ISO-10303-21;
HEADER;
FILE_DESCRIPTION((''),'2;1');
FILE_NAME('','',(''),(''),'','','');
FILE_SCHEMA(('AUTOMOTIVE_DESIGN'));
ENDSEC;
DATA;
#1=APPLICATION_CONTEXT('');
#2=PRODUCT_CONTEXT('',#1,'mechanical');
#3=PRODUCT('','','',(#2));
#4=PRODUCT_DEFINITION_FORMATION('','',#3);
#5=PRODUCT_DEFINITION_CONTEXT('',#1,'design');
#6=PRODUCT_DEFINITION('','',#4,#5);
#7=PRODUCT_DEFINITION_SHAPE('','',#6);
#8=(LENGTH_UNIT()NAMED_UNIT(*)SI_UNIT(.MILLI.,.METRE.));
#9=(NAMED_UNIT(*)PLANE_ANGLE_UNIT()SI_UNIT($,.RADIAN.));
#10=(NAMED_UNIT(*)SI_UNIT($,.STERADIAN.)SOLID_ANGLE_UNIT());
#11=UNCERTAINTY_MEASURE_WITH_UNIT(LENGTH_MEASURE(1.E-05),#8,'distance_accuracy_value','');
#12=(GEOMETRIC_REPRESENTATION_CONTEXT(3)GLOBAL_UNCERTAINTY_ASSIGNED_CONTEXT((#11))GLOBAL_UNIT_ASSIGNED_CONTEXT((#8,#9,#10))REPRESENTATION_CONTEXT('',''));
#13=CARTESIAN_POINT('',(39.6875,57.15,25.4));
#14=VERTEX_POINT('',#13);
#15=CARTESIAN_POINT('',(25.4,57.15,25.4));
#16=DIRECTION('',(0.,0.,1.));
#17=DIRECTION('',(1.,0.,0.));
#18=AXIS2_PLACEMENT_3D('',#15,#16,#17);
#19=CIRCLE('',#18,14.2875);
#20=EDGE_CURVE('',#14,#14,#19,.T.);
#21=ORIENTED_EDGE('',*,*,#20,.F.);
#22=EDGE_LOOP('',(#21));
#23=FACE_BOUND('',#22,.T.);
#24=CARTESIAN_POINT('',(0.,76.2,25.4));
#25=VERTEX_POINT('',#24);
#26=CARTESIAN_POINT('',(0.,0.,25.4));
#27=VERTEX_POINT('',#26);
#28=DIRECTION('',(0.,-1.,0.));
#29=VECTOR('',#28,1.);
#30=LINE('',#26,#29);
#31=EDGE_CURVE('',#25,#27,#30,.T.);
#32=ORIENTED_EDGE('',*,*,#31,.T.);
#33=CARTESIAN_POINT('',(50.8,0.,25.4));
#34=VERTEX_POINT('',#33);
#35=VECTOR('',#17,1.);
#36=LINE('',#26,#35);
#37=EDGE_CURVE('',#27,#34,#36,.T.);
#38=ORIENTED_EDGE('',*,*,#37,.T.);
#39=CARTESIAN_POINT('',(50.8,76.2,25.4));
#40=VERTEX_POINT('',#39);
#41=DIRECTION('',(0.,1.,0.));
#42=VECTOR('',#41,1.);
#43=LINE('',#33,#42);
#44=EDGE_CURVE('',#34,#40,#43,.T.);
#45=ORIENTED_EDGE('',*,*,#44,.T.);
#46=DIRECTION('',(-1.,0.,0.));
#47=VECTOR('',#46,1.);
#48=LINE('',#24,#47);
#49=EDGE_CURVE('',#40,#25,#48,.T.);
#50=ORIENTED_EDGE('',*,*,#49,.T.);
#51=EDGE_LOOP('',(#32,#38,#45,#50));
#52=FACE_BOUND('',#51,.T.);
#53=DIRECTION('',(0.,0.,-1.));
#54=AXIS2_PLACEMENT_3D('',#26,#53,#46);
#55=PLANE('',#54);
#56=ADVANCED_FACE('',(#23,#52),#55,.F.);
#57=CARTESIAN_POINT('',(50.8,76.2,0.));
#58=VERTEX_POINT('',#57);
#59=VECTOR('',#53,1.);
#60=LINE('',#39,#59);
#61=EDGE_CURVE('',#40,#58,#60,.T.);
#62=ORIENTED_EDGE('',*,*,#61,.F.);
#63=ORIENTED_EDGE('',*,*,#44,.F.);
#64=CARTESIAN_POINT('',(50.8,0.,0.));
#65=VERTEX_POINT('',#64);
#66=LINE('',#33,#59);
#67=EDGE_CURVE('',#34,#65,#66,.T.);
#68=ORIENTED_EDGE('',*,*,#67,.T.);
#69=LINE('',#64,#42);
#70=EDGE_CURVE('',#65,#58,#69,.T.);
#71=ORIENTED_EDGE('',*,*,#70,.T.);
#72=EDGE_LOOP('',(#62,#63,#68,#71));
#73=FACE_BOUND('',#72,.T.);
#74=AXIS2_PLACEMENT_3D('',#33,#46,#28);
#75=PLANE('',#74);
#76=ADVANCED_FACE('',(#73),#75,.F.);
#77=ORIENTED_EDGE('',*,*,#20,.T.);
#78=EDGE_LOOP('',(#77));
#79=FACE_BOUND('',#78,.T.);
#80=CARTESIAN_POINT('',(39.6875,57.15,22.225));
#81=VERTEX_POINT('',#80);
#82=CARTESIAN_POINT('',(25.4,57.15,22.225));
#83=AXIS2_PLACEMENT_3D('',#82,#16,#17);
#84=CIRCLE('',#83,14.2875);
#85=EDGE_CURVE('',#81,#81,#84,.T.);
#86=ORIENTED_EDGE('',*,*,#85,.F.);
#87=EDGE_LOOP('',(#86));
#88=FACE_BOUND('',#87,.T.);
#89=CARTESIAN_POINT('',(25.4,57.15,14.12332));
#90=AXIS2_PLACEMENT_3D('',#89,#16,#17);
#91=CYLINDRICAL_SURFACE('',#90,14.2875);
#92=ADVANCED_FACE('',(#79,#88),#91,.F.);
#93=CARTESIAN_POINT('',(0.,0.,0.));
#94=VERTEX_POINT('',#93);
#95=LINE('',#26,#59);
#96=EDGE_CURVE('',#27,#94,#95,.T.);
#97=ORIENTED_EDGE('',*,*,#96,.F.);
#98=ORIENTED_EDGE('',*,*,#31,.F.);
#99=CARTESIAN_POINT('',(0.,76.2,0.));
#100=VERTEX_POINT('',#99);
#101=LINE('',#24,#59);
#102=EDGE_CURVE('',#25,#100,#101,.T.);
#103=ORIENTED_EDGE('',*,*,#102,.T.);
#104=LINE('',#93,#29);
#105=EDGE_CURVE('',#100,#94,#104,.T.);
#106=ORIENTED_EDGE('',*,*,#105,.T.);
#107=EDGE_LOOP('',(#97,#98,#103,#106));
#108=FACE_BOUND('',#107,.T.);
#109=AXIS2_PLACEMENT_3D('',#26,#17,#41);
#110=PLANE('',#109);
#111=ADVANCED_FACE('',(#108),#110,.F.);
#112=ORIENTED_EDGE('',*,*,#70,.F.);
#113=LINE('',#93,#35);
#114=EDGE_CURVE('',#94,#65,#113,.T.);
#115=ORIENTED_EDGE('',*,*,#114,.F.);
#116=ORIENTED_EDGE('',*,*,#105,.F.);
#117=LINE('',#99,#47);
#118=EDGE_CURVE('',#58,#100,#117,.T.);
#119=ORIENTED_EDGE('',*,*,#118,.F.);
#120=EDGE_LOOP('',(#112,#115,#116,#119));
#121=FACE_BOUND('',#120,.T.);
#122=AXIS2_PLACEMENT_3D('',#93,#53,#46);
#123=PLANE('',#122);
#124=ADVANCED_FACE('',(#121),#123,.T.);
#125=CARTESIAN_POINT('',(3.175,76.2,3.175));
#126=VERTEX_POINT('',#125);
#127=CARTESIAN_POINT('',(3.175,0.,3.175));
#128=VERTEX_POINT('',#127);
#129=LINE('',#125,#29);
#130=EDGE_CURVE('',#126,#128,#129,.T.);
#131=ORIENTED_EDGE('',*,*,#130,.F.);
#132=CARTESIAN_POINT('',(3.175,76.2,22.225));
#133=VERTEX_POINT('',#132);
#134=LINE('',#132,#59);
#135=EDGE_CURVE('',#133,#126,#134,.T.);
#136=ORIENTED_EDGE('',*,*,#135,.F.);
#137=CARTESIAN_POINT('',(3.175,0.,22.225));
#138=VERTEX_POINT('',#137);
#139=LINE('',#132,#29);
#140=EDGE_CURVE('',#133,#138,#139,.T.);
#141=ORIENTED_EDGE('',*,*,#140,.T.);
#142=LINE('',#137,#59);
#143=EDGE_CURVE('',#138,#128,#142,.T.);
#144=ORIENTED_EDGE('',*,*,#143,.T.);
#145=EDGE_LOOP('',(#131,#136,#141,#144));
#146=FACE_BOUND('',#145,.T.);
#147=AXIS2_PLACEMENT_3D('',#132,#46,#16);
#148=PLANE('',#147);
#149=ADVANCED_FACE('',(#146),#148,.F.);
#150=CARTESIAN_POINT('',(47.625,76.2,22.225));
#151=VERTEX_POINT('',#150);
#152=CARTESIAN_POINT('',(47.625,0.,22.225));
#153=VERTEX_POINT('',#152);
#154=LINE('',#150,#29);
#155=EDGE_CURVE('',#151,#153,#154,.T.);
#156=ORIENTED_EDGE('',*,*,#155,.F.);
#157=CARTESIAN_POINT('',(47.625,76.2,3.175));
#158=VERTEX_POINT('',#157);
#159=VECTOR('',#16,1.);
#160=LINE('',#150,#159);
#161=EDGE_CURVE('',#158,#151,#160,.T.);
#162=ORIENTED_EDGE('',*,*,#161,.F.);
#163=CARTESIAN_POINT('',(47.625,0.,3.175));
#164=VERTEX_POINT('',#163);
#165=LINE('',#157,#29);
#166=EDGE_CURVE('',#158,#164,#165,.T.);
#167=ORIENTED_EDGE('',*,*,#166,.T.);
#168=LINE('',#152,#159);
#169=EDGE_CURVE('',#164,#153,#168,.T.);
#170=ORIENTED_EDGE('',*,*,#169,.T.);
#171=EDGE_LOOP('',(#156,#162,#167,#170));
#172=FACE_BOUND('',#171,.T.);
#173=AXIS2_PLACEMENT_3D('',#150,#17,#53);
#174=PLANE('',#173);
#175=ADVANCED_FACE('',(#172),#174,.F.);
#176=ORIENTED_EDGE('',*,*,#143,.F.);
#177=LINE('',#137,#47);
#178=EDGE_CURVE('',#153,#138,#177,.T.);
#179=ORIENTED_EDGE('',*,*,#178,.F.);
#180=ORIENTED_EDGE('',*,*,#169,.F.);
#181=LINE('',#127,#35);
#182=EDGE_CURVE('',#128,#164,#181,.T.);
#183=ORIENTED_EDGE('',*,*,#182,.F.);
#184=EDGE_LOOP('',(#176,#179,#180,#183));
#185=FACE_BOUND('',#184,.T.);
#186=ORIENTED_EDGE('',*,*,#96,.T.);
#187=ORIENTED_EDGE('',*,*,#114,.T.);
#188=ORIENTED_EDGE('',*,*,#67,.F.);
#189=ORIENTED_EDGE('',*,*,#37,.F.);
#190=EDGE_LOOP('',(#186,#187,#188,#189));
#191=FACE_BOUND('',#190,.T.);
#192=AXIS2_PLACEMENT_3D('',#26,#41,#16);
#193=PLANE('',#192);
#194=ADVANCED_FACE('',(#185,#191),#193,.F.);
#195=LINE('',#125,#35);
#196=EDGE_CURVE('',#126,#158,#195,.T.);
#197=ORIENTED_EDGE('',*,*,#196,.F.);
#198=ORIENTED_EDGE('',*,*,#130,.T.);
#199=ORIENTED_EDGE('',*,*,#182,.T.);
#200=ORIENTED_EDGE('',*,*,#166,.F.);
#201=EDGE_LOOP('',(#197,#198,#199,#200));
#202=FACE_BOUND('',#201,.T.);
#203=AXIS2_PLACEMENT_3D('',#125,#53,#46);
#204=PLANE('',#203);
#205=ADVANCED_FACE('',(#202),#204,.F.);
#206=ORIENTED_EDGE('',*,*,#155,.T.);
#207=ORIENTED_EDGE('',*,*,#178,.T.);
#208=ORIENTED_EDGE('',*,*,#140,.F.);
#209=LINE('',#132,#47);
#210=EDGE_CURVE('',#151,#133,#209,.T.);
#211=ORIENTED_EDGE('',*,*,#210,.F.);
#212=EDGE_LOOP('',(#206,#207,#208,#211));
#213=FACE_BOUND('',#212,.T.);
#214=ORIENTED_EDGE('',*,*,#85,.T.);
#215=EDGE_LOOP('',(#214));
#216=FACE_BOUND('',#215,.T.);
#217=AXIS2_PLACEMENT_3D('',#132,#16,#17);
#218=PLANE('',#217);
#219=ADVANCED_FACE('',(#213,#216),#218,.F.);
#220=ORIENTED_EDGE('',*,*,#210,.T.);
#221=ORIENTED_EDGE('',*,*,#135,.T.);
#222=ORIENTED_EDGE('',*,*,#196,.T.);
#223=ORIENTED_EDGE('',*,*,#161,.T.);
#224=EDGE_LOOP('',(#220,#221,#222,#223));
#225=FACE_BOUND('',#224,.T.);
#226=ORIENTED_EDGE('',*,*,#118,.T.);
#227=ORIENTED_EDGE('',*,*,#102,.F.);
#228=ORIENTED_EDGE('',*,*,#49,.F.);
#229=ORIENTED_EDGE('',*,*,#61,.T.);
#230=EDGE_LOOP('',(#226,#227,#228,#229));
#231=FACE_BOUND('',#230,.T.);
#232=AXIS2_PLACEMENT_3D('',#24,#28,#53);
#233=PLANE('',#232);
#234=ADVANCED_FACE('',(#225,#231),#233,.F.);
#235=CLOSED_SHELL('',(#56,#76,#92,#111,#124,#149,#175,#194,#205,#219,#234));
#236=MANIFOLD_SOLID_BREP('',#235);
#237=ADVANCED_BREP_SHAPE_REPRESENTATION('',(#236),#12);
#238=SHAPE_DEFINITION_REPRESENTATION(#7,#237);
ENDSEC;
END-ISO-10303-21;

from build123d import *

# Parameters (mm, degrees)
SKETCH1_W           = 50.8
SKETCH1_H           = 76.2
BOSS_EXTRUDE1_DEPTH = 25.4
SKETCH2_W           = 44.45
SKETCH2_H           = 19.05
CUT_EXTRUDE1_DEPTH  = 96.038097624
SKETCH3_R           = 14.2875
CUT_EXTRUDE2_DEPTH  = 11.276680026


with BuildPart() as part:
    # Sketch1 → Boss-Extrude1 (new body)
    with BuildSketch(Plane.XY):
        with Locations((25.4, 38.1)):
            Rectangle(SKETCH1_W, SKETCH1_H)
    extrude(amount=BOSS_EXTRUDE1_DEPTH)

    # Sketch2 → Cut-Extrude1 (cut, through all)
    with BuildSketch(Plane.XZ):
        with Locations((25.4, 12.7)):
            Rectangle(SKETCH2_W, SKETCH2_H)
    extrude(amount=-CUT_EXTRUDE1_DEPTH, mode=Mode.SUBTRACT)

    # Sketch3 → Cut-Extrude2 (cut)
    with BuildSketch(Plane.XY.offset(25.4)):
        with Locations((25.4, 57.15)):
            Circle(SKETCH3_R)
    extrude(amount=-CUT_EXTRUDE2_DEPTH, mode=Mode.SUBTRACT)


solid = part.part
